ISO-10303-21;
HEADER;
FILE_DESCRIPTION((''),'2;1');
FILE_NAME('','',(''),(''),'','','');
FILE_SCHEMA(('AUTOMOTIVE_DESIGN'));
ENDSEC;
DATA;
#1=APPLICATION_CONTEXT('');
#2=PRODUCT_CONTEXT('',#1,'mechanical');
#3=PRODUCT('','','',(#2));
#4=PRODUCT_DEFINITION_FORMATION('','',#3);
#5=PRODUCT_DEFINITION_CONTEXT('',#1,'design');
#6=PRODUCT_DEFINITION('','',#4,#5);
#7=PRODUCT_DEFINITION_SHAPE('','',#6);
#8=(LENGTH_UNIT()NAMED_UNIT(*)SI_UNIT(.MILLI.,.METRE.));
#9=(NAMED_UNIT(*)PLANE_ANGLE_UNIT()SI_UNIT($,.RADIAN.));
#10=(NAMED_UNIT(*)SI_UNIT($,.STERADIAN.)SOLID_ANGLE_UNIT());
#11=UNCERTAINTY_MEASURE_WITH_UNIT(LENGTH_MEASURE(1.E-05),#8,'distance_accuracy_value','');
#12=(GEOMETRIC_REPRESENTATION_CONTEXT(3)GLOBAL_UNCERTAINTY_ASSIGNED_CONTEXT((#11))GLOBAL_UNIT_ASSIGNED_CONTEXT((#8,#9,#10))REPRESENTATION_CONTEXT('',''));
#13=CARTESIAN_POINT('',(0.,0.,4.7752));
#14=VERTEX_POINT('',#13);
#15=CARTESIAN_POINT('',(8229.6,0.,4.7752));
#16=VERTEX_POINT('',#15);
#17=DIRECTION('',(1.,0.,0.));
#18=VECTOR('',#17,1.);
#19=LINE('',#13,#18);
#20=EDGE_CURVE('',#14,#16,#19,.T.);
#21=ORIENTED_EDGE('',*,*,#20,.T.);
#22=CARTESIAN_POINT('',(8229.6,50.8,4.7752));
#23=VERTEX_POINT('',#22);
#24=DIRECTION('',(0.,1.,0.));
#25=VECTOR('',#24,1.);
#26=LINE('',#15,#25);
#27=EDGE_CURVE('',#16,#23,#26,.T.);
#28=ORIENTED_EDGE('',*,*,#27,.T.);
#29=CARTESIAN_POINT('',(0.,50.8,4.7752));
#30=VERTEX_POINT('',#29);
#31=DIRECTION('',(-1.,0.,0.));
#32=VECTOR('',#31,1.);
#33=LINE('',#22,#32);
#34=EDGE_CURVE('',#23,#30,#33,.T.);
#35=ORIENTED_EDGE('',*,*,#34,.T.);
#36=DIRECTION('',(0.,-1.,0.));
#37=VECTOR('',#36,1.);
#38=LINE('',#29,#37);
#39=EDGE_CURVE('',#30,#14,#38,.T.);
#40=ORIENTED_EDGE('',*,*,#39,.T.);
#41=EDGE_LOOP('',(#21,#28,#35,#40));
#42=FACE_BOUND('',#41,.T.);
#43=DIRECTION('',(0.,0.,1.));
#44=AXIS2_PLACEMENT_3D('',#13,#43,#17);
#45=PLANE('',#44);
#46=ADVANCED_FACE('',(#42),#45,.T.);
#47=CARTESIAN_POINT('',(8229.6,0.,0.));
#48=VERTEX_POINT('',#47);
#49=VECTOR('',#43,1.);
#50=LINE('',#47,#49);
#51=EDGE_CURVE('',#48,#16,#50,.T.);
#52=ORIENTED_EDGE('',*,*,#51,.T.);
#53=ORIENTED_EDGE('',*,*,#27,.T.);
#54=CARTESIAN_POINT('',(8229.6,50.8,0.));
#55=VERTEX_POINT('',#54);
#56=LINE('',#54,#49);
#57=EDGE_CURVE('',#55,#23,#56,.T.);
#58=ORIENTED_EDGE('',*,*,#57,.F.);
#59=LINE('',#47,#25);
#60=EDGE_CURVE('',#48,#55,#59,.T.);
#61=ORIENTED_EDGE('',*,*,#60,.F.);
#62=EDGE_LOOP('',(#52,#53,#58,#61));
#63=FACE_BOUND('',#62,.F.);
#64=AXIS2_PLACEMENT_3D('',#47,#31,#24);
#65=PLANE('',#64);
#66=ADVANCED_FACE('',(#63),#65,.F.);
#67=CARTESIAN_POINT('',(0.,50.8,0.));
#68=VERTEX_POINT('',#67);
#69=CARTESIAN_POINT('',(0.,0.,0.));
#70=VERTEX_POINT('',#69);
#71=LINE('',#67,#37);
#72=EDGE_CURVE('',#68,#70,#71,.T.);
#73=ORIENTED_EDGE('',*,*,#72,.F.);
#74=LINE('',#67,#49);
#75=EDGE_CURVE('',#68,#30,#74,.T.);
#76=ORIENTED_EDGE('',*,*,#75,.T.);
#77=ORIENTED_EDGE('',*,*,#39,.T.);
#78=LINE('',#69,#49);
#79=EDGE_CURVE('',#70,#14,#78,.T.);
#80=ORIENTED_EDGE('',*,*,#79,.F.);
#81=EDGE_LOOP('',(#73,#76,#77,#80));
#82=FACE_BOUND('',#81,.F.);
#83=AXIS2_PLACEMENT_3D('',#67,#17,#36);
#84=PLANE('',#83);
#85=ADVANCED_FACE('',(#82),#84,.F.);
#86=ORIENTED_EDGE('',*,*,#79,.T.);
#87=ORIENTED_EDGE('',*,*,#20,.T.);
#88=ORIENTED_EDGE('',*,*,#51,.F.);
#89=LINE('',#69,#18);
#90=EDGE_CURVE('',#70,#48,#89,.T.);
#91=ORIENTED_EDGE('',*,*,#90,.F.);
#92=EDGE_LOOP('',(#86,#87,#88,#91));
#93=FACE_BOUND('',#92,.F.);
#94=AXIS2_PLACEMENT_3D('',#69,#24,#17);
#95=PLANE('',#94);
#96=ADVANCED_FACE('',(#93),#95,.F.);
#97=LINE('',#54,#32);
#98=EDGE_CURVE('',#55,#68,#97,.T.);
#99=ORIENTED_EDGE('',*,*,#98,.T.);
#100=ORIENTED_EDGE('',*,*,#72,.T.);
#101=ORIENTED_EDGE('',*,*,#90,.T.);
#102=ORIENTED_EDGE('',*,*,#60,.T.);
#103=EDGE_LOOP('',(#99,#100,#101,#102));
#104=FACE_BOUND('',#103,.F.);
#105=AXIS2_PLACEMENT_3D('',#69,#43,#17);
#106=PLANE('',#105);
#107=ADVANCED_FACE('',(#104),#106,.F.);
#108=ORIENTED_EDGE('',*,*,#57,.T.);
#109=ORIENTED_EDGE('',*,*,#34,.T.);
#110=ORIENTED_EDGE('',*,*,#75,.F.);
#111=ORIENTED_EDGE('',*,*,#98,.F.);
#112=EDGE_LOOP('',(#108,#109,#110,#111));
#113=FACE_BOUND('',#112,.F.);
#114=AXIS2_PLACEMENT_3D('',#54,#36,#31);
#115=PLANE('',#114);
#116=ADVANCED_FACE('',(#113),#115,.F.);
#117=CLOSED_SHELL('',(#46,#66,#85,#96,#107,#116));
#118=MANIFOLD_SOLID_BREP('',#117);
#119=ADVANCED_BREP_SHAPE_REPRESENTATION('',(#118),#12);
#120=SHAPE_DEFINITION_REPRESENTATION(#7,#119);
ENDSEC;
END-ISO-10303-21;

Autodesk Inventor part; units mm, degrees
ref_plane "YZ Plane" through (0, 0, 0) normal (1, 0, 0) x (0, 1, 0)
ref_plane "XZ Plane" through (0, 0, 0) normal (0, 1, 0) x (-1, 0, 0)
ref_plane "XY Plane" through (0, 0, 0) normal (0, 0, 1) x (1, 0, 0)
sketch "Sketch1" plane through (0, 0, 0) normal (0, 0, 1) x (1, 0, 0)
  line L0 (0, 0) -> (8229.6, 0)
  line L1 (8229.6, 0) -> (8229.6, 50.8)
  line L2 (8229.6, 50.8) -> (0, 50.8)
  line L3 (0, 50.8) -> (0, 0)
  dimension "d0" = 50.8
  dimension "d1" = 8229.6
extrude "Extrusion1" add sketch "Sketch1" along normal blind 4.7752
properties part number "Tape_lane"
